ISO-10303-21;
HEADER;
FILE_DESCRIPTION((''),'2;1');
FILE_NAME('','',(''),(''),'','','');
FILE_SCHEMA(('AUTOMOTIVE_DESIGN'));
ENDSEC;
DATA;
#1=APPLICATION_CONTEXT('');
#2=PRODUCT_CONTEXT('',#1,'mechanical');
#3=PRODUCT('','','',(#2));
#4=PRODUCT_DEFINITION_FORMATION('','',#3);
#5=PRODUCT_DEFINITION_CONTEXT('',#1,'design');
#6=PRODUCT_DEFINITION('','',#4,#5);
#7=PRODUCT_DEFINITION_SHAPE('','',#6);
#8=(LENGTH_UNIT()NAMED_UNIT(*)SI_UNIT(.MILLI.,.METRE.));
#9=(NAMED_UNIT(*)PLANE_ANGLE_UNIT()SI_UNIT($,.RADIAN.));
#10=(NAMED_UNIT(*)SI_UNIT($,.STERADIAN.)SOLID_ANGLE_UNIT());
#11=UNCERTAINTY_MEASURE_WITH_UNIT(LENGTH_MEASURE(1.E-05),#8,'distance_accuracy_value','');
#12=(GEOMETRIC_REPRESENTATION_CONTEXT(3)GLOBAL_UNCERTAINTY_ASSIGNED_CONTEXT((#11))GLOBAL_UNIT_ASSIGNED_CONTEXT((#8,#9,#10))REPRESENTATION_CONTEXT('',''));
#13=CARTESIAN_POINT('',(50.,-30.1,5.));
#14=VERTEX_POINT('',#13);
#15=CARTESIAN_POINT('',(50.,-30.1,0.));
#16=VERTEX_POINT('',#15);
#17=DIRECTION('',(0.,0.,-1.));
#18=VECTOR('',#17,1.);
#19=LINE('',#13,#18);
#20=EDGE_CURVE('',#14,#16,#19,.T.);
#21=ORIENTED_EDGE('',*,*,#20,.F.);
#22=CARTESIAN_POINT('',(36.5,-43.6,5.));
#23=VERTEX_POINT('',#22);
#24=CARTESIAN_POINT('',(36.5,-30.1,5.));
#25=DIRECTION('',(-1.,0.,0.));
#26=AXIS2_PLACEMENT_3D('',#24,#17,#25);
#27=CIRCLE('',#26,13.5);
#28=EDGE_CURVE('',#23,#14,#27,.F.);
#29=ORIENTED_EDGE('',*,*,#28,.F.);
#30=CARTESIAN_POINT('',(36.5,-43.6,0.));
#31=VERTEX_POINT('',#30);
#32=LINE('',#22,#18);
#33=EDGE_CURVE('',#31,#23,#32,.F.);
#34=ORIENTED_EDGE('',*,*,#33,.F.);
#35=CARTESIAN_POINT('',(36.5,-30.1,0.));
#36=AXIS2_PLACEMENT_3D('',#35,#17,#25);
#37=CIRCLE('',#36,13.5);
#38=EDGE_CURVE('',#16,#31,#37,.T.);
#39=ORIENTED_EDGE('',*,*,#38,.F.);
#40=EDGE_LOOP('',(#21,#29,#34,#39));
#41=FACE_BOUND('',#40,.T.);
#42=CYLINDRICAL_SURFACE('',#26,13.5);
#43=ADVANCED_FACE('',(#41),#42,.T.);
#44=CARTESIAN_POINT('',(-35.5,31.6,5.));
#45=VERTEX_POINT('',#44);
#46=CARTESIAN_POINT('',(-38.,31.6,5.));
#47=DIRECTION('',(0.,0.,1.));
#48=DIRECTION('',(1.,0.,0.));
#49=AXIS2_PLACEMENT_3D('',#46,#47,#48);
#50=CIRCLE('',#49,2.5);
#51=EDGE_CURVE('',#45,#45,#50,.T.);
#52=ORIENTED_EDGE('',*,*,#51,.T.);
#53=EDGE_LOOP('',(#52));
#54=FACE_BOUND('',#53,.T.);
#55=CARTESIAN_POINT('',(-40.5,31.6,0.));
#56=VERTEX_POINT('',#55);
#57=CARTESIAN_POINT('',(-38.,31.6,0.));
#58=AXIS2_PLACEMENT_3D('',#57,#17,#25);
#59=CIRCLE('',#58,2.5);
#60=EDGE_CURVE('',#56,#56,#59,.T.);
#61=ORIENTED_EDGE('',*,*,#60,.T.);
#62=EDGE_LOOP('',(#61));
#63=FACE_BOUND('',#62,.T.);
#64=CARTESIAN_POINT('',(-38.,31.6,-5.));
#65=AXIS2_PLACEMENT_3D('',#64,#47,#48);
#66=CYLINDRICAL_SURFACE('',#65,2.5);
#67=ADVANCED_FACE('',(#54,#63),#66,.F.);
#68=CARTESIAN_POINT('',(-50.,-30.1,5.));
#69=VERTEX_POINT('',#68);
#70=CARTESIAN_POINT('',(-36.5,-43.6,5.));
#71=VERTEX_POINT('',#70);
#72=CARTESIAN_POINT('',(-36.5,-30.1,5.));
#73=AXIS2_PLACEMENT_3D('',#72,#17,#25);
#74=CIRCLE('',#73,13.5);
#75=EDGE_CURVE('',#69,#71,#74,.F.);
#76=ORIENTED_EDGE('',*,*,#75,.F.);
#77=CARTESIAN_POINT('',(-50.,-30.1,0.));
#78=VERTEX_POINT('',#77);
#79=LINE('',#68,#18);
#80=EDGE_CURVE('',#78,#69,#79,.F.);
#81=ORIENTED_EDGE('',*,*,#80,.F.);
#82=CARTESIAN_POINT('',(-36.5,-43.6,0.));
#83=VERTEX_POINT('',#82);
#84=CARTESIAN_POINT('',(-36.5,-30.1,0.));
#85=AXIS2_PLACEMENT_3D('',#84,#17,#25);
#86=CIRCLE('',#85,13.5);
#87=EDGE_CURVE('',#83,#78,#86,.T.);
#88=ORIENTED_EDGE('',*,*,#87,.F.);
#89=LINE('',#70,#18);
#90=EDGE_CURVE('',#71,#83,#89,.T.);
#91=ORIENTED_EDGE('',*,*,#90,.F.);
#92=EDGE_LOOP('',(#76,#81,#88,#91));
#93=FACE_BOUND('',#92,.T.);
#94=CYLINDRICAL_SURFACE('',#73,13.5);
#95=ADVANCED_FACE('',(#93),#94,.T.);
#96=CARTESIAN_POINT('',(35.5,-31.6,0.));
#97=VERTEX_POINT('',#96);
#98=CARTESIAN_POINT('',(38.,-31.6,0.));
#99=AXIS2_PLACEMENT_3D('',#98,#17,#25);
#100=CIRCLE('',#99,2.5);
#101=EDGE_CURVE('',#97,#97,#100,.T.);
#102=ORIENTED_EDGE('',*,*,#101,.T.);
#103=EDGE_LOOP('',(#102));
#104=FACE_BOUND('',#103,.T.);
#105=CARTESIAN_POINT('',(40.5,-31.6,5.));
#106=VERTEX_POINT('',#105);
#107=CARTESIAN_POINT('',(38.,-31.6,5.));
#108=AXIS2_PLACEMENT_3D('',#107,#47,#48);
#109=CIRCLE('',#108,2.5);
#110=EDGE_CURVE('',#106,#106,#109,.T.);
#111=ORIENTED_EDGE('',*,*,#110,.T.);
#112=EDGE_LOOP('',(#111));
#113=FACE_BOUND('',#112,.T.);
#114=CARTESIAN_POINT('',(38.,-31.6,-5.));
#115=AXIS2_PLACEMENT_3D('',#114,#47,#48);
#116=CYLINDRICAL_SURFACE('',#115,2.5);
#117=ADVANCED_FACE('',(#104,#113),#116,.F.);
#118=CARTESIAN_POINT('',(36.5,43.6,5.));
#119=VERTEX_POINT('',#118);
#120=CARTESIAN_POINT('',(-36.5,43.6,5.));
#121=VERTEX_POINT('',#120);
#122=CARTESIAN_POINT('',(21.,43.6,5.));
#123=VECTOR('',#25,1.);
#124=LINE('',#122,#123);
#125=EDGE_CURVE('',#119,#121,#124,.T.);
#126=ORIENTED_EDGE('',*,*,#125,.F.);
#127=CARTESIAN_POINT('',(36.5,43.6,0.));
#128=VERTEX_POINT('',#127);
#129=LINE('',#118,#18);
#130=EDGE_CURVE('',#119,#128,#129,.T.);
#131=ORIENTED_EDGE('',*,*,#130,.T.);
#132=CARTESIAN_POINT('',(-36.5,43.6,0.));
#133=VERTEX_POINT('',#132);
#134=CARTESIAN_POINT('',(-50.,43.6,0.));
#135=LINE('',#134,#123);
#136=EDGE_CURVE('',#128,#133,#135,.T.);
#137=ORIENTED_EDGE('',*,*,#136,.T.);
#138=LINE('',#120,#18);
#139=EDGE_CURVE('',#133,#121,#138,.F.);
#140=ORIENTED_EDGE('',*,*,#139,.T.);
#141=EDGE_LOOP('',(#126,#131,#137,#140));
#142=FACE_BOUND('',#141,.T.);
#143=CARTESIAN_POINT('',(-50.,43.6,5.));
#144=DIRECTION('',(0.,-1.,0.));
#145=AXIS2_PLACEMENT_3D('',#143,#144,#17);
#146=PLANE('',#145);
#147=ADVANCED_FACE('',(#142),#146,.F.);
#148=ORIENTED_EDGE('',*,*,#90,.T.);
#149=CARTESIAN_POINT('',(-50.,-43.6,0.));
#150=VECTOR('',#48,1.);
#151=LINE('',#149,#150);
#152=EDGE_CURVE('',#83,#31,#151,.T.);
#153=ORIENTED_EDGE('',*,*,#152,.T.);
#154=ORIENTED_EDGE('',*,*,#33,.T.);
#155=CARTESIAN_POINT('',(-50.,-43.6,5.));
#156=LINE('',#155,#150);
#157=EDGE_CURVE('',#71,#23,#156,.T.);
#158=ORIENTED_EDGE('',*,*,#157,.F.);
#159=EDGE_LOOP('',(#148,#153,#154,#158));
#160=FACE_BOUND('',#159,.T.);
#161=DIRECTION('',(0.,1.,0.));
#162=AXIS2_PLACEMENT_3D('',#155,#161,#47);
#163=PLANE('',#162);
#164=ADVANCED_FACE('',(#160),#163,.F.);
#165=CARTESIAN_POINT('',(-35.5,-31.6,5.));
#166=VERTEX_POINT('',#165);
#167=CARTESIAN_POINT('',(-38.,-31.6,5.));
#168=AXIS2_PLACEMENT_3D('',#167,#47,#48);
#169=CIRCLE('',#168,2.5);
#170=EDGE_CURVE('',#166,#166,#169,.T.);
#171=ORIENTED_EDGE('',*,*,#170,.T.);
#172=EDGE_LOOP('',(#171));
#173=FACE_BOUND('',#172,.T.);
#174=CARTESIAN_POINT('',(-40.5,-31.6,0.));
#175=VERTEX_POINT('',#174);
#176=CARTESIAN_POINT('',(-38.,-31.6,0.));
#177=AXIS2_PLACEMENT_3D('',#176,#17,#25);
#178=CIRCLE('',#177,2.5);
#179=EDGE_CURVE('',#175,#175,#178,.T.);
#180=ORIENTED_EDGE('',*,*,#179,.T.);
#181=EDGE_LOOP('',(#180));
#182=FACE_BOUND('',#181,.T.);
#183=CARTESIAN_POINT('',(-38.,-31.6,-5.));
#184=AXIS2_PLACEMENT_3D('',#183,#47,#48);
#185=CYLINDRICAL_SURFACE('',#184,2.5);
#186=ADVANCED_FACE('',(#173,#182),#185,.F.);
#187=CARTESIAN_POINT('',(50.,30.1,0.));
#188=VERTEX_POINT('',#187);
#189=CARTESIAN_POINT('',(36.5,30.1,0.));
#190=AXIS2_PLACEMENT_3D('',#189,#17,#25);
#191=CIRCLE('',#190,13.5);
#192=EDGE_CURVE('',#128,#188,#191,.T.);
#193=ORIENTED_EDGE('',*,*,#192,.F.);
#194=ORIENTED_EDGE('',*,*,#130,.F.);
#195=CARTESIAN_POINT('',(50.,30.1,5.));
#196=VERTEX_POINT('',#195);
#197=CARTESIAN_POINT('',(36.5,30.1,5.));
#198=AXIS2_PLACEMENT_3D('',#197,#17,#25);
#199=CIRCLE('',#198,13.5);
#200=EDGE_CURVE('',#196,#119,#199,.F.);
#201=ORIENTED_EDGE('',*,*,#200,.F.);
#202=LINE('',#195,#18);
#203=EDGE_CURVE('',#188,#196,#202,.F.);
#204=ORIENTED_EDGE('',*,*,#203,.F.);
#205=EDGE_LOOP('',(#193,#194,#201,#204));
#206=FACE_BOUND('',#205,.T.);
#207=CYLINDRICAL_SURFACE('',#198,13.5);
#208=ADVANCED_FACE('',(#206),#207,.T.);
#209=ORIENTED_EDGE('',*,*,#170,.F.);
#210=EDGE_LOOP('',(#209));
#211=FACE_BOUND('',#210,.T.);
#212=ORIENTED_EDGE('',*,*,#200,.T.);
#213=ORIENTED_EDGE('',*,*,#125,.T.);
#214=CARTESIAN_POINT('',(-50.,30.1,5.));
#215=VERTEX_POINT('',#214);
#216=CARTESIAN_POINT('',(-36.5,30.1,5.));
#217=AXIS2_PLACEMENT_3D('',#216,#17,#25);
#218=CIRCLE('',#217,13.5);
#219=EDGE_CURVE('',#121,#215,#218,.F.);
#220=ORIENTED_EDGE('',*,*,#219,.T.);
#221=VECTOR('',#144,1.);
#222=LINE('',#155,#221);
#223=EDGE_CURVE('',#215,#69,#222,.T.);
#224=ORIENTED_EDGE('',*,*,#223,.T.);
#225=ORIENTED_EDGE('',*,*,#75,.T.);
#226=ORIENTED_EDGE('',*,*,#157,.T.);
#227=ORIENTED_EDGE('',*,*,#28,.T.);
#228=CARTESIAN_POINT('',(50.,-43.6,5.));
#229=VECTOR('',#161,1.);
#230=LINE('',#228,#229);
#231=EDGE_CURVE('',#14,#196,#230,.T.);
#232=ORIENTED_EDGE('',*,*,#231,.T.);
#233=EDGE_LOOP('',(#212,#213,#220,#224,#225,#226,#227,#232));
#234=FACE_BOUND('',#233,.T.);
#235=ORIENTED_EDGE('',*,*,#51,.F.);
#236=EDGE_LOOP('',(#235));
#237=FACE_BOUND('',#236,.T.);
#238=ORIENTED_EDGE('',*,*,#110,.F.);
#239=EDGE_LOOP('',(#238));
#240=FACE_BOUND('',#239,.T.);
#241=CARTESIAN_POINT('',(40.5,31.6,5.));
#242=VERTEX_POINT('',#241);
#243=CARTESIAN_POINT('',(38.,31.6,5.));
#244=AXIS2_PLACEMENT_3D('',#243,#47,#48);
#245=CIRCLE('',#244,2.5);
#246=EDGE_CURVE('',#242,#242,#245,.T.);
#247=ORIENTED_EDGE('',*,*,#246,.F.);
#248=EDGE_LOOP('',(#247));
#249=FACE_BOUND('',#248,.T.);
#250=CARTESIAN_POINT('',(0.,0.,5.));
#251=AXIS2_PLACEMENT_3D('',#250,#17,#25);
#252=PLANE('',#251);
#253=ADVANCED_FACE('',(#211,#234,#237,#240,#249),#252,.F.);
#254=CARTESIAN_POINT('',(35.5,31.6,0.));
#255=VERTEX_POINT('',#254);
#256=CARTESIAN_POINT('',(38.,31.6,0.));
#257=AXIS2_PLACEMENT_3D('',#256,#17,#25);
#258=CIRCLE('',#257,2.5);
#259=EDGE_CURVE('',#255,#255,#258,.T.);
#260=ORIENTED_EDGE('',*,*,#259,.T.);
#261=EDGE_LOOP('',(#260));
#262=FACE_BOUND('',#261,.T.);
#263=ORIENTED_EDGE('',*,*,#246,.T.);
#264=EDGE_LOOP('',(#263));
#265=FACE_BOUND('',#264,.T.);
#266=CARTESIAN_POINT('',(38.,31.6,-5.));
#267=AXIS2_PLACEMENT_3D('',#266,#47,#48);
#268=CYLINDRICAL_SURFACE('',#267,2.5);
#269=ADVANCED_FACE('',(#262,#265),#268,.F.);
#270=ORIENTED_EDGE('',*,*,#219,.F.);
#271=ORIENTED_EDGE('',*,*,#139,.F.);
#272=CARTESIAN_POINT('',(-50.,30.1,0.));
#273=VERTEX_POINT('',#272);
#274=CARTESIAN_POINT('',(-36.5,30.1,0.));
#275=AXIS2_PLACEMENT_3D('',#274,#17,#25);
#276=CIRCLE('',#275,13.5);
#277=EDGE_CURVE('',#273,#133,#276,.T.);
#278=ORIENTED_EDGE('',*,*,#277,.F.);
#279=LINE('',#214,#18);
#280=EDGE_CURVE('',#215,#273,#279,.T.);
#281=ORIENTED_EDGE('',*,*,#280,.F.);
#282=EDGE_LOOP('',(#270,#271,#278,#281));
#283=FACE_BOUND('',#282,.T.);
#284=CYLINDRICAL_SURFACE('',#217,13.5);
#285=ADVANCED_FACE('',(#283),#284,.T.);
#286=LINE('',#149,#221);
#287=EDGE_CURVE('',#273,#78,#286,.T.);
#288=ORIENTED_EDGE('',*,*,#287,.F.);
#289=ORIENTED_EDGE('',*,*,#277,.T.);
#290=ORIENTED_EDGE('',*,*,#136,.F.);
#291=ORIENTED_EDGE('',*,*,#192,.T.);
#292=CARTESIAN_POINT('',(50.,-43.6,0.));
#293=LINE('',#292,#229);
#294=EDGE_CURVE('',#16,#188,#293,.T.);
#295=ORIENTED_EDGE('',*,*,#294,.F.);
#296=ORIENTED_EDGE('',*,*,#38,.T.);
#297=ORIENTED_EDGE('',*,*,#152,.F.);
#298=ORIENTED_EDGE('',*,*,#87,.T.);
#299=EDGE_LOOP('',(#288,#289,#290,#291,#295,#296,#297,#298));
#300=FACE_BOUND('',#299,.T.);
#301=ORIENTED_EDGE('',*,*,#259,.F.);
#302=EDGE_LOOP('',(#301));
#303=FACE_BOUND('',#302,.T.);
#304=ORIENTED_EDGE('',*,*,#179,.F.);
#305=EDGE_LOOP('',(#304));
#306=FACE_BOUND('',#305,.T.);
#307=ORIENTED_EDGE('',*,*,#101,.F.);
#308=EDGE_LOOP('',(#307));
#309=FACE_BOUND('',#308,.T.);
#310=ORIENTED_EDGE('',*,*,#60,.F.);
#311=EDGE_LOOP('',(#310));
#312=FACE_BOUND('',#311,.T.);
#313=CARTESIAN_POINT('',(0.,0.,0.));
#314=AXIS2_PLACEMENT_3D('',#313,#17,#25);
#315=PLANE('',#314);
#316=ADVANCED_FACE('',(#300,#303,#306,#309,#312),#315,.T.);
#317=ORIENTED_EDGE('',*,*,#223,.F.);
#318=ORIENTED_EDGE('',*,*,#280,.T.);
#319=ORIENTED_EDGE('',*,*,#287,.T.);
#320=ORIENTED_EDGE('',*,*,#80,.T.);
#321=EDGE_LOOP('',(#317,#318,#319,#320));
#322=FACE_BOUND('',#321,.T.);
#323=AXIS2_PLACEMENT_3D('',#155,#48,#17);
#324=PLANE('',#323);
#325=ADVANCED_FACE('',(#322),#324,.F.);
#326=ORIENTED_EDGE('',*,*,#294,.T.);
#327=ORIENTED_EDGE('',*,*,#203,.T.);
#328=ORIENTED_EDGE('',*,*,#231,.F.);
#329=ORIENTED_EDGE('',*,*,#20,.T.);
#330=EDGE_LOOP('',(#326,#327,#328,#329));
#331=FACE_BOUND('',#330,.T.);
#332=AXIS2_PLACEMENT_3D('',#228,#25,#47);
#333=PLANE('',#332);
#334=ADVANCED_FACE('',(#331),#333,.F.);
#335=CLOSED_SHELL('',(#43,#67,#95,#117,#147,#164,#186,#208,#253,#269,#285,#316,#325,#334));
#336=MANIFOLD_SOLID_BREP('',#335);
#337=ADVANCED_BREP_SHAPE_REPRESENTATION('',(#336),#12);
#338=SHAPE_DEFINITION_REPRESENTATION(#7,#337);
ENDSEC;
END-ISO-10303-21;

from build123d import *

# Parameters (mm, degrees)
Y_KSEKLIK_EKSTR_ZYON1_DEPTH = 5
IZIM2_R                     = 2.5
KES_EKSTR_ZYON1_DEPTH       = 10
RADYUS1_R                   = 13.5


with BuildPart() as part:
    # Çizim1 → Yükseklik-Ekstrüzyon1 (new body)
    with BuildSketch(Plane.XY):
        Polygon((21, 43.6), (50, 43.6), (50, -43.6), (-50, -43.6), (-50, 43.6), (-21, 43.6), align=None)
    extrude(amount=Y_KSEKLIK_EKSTR_ZYON1_DEPTH)

    # Çizim2 → Kes-Ekstrüzyon1 (cut)
    with BuildSketch(Plane.XY.offset(5)):
        with Locations((38, -31.6)):
            Circle(IZIM2_R)
        with Locations((38, 31.6)):
            Circle(IZIM2_R)
        with Locations((-38, 31.6)):
            Circle(IZIM2_R)
        with Locations((-38, -31.6)):
            Circle(IZIM2_R)
    extrude(amount=-KES_EKSTR_ZYON1_DEPTH, mode=Mode.SUBTRACT)

    # Radyus1
    radyus1_edges = [part.edges().sort_by_distance(p)[0] for p in [
        (50, -43.6, 2.5),
        (-50, -43.6, 2.5),
        (-50, 43.6, 2.5),
        (50, 43.6, 2.5),
    ]]
    fillet(radyus1_edges, radius=RADYUS1_R)


solid = part.part
